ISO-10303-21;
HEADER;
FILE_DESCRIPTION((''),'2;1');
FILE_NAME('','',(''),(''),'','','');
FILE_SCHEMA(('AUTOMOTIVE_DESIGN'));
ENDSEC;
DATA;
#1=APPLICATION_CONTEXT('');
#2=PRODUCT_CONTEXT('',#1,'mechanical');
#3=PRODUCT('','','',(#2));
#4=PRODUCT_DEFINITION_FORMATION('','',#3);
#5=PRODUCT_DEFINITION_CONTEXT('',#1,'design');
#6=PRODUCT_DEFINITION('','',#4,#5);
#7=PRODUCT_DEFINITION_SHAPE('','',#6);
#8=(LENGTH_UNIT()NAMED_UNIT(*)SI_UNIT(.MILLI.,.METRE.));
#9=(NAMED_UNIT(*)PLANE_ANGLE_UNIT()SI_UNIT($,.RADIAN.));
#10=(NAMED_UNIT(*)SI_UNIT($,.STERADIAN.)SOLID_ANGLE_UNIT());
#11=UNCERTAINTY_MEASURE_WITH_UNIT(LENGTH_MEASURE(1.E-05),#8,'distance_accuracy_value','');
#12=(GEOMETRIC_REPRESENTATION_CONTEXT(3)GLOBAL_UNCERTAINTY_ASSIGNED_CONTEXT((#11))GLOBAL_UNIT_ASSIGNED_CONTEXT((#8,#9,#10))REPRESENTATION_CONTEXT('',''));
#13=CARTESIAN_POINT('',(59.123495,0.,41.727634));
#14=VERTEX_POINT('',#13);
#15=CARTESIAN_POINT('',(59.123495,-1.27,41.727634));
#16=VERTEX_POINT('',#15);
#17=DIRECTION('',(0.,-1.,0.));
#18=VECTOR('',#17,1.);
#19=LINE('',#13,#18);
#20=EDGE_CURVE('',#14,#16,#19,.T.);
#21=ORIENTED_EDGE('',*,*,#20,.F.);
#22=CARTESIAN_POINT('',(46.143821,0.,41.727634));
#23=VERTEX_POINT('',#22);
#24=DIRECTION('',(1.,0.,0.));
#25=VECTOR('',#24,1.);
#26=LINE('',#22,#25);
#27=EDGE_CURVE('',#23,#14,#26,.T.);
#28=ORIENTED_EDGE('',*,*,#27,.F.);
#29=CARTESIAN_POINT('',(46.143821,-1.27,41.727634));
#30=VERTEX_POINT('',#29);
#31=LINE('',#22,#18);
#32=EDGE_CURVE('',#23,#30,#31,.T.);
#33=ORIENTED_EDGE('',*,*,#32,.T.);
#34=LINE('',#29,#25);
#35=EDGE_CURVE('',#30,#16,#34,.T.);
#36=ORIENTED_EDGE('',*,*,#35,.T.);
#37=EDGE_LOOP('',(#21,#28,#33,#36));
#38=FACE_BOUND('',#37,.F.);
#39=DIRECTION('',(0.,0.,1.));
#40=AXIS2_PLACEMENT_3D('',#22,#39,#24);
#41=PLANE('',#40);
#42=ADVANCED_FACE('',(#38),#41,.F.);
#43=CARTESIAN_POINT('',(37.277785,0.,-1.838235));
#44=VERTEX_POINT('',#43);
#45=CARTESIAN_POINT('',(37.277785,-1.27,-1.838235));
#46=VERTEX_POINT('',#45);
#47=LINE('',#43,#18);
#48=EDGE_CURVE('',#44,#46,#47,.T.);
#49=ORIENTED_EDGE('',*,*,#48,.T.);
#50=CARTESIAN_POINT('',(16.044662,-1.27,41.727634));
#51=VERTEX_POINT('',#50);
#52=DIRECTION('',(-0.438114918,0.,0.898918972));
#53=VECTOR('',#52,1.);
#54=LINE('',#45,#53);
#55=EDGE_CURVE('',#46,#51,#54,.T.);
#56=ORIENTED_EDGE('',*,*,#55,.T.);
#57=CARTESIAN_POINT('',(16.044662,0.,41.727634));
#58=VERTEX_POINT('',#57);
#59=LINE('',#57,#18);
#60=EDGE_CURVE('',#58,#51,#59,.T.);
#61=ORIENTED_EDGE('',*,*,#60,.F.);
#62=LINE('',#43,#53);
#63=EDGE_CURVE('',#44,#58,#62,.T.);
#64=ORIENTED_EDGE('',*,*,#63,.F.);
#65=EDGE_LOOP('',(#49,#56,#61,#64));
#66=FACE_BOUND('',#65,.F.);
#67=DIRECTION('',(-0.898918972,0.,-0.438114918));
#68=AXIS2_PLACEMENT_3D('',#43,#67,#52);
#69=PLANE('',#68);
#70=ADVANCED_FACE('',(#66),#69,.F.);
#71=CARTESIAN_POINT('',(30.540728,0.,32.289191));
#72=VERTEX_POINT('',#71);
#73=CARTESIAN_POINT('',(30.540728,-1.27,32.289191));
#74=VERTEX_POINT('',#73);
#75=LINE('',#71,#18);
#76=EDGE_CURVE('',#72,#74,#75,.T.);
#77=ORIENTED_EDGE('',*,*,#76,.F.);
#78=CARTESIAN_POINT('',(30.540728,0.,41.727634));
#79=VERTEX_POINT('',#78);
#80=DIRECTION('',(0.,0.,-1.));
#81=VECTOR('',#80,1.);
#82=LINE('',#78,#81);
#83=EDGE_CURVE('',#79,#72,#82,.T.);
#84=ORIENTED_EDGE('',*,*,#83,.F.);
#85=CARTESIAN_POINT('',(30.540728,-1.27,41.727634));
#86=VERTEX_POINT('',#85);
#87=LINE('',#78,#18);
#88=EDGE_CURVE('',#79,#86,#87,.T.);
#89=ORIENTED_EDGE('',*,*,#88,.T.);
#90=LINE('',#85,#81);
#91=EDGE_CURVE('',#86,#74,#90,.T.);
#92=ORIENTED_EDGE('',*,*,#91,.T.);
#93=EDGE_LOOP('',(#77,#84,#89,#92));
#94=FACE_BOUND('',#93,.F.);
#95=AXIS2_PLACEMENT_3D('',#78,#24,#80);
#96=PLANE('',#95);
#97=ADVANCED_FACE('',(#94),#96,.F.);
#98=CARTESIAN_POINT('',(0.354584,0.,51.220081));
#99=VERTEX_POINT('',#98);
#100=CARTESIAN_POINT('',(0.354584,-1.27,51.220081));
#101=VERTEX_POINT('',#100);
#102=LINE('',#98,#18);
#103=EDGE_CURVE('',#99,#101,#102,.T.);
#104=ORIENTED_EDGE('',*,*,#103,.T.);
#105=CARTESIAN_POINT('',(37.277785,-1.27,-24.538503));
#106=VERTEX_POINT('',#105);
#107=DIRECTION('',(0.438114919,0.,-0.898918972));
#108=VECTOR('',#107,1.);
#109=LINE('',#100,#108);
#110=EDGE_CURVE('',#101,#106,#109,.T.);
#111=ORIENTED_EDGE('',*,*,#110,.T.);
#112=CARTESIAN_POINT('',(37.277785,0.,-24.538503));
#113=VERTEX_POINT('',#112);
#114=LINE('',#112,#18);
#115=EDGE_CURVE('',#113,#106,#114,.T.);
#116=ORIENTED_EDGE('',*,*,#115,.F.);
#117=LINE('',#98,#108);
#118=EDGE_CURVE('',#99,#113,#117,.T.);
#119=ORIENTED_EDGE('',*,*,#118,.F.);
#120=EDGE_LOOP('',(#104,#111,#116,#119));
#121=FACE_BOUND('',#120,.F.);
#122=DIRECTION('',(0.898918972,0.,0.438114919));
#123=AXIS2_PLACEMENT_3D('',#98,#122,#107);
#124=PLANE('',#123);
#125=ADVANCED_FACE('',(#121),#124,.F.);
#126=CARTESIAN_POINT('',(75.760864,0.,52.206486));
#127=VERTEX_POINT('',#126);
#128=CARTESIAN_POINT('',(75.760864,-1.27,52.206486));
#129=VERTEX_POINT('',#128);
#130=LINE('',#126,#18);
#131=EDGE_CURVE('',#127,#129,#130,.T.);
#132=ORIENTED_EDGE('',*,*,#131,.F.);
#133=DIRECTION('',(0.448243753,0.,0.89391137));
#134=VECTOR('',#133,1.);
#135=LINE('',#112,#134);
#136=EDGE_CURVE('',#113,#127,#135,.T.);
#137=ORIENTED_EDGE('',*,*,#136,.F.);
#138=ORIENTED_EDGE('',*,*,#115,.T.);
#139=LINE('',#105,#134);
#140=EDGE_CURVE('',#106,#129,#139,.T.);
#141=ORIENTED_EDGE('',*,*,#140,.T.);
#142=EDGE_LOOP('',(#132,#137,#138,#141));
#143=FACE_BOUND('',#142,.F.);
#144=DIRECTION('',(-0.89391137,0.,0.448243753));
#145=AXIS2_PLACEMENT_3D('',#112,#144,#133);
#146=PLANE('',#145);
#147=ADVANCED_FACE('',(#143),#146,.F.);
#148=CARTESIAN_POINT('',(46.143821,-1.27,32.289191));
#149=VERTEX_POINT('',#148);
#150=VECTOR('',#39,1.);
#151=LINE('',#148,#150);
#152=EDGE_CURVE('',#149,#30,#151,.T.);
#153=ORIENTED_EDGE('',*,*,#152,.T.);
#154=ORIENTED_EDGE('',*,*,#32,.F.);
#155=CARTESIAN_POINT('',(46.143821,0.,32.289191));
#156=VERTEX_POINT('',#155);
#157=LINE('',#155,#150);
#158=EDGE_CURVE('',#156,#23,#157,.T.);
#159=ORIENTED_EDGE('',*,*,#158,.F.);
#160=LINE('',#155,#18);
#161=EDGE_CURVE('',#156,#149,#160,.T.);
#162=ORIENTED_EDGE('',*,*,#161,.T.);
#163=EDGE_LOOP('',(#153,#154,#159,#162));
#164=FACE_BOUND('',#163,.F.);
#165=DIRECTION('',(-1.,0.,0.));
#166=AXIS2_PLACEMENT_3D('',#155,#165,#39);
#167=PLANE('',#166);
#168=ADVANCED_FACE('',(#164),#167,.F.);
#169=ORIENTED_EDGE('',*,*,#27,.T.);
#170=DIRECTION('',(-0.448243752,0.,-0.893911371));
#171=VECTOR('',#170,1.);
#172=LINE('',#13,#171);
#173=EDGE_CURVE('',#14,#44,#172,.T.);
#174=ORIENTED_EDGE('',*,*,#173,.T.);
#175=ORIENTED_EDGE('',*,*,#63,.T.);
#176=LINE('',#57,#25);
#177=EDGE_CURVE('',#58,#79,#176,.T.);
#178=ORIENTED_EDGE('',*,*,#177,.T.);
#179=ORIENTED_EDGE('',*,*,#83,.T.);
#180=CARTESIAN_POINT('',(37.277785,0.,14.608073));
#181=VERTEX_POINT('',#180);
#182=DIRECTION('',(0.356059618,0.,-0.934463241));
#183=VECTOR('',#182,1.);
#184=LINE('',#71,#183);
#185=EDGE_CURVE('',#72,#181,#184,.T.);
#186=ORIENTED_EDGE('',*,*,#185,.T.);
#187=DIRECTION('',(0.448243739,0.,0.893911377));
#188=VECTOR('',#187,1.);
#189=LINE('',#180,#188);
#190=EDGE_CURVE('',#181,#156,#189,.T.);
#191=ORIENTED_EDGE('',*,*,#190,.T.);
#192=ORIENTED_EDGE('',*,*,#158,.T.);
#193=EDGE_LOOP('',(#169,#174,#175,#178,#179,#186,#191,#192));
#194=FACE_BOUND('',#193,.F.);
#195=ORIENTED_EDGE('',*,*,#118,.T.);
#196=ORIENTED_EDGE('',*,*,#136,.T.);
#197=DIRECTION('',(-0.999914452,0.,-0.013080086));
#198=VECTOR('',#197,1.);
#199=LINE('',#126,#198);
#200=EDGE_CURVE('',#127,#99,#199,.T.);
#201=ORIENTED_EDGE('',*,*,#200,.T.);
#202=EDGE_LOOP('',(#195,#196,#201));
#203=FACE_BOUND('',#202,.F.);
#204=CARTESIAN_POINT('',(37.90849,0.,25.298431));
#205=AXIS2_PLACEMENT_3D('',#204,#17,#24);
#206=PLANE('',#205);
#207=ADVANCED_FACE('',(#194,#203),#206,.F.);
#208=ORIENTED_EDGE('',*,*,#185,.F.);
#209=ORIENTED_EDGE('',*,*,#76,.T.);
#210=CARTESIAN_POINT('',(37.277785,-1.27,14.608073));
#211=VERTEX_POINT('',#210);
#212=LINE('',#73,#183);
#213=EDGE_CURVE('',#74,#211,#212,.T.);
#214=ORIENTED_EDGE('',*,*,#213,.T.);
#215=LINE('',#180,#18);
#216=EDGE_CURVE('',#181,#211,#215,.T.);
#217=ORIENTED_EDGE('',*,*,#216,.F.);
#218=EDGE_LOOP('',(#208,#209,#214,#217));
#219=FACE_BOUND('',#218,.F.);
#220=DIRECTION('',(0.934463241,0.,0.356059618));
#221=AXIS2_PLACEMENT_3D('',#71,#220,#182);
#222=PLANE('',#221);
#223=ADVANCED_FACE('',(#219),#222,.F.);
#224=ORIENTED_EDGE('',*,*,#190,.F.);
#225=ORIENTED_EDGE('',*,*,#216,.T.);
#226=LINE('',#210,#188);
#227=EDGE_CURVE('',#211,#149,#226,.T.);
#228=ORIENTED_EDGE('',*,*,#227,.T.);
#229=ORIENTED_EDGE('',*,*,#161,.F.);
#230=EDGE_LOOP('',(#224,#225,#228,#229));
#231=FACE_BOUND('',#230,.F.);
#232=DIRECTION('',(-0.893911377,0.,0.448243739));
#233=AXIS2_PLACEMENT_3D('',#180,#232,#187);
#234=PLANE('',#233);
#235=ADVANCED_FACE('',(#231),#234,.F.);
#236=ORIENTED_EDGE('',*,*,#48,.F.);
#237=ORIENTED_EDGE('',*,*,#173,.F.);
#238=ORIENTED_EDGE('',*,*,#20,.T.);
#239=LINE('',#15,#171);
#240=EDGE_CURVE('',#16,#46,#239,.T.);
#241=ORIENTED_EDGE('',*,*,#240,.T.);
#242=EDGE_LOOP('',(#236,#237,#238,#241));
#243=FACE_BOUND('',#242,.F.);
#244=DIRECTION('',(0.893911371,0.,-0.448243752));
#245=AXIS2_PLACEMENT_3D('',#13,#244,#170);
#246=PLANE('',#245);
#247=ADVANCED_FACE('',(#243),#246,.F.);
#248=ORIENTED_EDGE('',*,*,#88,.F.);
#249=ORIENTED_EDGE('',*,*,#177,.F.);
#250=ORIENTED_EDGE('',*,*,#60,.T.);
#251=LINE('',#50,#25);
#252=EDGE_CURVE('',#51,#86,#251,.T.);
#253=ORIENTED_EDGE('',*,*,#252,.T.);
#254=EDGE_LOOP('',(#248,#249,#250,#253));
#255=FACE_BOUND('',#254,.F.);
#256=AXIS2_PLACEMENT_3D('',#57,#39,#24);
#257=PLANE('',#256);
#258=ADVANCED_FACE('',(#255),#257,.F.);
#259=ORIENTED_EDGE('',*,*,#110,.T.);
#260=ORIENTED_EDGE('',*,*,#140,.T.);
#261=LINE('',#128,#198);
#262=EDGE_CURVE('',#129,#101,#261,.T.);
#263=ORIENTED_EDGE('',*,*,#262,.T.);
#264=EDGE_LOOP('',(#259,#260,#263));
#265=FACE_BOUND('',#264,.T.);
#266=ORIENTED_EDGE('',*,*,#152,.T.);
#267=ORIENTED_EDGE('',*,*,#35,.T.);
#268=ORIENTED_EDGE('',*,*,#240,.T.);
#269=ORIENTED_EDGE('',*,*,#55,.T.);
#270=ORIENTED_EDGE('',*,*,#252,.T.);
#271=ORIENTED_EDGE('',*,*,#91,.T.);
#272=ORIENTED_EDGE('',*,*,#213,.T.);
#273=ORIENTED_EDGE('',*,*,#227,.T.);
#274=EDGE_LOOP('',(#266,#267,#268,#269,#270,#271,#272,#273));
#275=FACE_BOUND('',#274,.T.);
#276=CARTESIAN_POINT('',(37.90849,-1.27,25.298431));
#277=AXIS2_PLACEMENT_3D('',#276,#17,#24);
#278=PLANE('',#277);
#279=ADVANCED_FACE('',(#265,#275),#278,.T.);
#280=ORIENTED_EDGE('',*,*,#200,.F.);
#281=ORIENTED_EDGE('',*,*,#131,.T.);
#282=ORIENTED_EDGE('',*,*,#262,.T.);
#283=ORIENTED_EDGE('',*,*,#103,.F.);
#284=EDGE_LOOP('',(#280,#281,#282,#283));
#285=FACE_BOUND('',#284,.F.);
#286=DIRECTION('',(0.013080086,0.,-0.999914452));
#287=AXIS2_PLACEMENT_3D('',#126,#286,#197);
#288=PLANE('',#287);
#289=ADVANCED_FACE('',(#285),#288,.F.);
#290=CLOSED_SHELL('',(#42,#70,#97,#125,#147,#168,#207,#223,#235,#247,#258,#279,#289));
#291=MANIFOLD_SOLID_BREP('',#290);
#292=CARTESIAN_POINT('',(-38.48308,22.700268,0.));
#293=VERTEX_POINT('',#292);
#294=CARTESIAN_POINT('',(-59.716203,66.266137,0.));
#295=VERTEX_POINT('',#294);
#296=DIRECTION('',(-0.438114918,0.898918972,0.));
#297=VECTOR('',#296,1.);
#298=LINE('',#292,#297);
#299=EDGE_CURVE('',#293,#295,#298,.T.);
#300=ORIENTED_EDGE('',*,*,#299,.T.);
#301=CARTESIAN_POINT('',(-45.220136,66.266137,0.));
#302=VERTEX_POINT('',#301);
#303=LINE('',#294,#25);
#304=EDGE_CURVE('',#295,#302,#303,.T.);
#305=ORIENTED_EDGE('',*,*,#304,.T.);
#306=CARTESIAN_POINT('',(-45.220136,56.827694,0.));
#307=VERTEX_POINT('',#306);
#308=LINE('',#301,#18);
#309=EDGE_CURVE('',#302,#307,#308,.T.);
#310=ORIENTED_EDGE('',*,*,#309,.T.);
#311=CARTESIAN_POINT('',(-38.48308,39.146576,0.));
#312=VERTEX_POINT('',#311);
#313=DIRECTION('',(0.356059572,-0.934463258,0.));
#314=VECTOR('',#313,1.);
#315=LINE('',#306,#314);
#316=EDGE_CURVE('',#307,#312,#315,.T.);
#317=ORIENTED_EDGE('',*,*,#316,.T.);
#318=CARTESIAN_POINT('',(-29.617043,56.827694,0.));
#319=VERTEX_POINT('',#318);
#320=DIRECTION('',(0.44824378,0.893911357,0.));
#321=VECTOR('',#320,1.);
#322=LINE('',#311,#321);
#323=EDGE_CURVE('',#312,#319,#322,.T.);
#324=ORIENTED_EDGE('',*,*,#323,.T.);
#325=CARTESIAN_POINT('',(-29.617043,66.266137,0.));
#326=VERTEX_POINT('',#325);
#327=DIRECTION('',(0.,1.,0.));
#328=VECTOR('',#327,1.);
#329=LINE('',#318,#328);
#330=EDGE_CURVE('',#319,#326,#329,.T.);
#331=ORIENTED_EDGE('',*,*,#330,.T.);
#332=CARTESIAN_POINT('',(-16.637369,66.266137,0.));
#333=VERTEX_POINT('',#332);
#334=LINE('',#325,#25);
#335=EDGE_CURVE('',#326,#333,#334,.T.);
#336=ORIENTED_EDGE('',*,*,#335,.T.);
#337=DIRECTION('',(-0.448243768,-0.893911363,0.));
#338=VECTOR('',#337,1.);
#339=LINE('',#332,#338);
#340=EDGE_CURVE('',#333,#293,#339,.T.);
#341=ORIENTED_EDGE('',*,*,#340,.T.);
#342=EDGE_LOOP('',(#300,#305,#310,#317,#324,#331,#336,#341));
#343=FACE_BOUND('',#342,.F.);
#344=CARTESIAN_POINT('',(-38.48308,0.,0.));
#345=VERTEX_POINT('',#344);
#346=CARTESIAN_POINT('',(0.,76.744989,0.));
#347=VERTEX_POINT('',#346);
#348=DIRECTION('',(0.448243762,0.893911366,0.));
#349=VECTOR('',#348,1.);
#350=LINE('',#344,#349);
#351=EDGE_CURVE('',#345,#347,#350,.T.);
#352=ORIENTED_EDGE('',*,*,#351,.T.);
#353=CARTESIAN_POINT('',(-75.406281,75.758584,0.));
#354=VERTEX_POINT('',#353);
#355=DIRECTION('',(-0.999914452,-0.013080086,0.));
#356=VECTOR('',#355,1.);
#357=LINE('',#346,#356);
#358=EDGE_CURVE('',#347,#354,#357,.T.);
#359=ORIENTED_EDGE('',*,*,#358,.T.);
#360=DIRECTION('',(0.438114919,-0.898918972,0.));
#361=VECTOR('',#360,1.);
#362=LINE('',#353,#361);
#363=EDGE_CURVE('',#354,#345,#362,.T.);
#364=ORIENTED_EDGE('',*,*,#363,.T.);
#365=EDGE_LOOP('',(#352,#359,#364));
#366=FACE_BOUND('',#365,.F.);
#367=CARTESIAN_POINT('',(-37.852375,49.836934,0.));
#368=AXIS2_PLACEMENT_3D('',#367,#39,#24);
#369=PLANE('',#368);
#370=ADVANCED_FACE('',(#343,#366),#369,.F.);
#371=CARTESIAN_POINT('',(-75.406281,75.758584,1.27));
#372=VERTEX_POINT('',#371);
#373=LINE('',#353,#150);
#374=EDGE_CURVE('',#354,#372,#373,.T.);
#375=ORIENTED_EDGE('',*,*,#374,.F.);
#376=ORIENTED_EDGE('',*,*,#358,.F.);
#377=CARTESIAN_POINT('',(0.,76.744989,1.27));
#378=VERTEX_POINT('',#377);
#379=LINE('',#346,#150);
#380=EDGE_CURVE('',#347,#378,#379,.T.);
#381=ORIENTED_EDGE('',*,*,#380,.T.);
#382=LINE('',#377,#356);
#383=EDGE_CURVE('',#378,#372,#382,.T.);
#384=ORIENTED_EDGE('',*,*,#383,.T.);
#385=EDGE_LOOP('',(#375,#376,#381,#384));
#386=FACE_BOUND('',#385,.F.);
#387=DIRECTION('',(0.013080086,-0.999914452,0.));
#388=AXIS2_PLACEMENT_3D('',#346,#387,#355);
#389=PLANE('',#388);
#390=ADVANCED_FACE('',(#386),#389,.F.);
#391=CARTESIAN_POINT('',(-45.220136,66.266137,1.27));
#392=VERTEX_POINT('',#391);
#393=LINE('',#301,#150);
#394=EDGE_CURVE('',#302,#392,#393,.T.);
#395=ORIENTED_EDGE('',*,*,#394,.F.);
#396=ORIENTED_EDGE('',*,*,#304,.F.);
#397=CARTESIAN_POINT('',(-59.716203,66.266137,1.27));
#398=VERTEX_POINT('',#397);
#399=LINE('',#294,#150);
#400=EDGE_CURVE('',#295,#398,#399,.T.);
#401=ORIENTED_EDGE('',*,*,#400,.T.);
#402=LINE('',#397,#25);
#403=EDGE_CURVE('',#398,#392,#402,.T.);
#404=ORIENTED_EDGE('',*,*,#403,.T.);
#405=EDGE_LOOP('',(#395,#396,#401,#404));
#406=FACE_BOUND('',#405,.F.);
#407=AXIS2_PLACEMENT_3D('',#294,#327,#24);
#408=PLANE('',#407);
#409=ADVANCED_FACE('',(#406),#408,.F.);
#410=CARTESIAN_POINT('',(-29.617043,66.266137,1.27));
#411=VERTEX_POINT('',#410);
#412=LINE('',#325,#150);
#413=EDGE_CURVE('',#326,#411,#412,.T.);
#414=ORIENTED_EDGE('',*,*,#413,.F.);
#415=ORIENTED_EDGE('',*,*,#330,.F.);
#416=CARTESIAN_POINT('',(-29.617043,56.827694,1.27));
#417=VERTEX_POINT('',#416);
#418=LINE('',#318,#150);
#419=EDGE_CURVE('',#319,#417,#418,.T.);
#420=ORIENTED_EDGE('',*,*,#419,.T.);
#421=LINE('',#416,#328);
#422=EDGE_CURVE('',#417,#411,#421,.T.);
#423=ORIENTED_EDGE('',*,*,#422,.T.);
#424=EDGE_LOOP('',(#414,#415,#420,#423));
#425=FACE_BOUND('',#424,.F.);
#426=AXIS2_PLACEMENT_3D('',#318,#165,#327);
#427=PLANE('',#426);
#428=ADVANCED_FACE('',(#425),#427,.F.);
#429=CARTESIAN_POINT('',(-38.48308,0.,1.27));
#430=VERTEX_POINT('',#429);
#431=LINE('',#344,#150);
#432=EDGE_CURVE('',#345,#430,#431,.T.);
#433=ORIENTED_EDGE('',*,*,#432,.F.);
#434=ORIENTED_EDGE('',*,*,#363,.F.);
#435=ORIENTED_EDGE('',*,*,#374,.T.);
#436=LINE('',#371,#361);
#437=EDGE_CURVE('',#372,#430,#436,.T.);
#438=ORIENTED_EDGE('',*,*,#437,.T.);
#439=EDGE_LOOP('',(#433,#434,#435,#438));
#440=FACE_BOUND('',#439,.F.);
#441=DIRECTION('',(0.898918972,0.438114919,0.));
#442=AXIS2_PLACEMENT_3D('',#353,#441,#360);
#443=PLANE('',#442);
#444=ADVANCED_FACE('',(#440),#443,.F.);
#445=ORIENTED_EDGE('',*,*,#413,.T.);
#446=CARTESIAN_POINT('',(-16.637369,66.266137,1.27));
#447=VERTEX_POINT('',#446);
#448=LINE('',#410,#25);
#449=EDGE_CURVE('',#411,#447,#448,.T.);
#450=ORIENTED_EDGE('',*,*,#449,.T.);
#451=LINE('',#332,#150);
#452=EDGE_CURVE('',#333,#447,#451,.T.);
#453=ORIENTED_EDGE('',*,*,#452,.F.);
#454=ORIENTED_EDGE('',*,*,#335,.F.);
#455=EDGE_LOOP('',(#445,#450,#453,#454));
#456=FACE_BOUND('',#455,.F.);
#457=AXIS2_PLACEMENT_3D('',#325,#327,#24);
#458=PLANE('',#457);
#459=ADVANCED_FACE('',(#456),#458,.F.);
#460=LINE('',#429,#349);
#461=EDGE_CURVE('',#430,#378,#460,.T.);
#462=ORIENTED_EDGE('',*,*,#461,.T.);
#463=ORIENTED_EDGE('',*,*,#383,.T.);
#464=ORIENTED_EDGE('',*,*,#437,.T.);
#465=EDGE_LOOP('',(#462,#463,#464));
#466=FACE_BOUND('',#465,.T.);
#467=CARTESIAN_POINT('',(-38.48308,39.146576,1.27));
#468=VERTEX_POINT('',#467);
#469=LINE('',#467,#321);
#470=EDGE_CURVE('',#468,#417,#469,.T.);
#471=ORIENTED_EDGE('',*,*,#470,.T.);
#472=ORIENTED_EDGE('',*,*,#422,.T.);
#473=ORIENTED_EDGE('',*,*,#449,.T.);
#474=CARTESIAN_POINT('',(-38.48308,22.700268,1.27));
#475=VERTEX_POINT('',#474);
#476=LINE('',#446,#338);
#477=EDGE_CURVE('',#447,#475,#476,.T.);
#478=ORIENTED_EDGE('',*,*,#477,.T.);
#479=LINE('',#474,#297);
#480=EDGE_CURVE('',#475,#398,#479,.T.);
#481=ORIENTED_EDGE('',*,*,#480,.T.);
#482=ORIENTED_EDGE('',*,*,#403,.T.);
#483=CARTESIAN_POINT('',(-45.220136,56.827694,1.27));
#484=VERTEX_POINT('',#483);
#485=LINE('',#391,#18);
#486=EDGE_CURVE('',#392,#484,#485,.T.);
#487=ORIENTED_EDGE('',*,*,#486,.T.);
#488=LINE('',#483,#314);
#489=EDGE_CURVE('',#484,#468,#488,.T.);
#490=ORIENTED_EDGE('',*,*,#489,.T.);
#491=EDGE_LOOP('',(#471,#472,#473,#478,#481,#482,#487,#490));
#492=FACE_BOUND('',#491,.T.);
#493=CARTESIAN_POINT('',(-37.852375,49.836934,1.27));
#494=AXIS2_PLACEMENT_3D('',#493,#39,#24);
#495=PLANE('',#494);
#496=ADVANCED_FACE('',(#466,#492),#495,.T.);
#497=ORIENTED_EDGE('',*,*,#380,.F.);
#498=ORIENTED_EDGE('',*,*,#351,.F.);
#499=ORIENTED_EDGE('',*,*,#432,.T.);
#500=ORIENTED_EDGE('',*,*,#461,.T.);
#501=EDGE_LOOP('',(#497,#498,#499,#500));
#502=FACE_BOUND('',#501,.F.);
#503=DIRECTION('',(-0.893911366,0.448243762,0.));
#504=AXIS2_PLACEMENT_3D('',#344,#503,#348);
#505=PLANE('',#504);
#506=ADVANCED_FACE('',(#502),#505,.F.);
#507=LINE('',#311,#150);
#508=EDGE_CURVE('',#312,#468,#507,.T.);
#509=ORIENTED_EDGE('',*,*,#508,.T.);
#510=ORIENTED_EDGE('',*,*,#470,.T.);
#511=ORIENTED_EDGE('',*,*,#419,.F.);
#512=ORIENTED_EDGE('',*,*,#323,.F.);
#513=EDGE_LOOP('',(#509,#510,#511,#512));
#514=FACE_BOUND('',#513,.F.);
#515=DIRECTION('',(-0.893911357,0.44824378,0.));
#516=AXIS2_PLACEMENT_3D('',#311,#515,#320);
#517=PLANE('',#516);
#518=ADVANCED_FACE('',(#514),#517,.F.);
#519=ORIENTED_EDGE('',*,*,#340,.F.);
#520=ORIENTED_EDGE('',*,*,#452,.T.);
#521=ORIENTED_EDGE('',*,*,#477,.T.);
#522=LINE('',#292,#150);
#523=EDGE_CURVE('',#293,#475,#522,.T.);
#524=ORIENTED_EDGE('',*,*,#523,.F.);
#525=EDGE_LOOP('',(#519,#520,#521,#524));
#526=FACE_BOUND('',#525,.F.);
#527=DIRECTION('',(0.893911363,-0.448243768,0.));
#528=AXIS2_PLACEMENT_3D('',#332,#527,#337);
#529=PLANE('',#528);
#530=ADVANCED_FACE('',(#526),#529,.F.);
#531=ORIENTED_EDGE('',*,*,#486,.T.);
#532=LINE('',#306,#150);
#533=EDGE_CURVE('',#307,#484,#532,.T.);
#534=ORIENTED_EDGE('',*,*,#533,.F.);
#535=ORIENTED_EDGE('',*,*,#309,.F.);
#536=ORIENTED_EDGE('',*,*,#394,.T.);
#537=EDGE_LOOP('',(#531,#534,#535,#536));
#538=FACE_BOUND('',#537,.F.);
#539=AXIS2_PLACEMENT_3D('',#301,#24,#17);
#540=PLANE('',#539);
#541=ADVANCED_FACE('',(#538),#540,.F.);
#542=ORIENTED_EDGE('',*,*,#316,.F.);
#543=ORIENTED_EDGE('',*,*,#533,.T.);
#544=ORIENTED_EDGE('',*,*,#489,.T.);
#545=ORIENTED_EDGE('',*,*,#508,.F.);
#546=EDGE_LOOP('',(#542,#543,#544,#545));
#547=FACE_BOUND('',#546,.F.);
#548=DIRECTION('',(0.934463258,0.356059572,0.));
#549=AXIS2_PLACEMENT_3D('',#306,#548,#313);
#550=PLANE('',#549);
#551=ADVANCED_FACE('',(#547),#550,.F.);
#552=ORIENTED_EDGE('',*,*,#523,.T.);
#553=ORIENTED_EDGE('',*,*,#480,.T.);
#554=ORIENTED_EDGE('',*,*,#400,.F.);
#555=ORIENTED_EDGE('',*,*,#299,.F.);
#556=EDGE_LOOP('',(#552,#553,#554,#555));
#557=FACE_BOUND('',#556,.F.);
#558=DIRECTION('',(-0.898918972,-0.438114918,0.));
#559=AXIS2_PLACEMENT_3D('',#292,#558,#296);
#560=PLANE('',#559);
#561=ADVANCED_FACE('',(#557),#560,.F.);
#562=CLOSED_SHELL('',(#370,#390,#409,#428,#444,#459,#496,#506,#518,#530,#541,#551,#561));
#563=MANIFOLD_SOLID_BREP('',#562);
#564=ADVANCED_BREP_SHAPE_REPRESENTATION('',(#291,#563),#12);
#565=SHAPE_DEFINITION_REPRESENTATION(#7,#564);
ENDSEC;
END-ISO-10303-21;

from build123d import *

# Parameters (mm, degrees)
F1_DEPTH = 1.27
F3_DEPTH = 1.27


with BuildPart() as f1:
    # F0 (on Top) → F1 (new body)
    with BuildSketch(Plane.XY):
        Polygon((0, 76.744989), (-75.406281, 75.758584), (-38.48308, 0), align=None)
        Polygon((-38.48308, 22.700268), (-59.716203, 66.266137), (-45.220136, 66.266137), (-45.220136, 56.827694), (-38.48308, 39.146576), (-29.617043, 56.827694), (-29.617043, 66.266137), (-16.637369, 66.266137), align=None, mode=Mode.SUBTRACT)
    extrude(amount=F1_DEPTH)


with BuildPart() as f3:
    # F2 (on Front) → F3 (new body)
    with BuildSketch(Plane.XZ):
        Polygon((75.760864, 52.206486), (0.354584, 51.220081), (37.277785, -24.538503), align=None)
        Polygon((37.277785, -1.838235), (16.044662, 41.727634), (30.540728, 41.727634), (30.540728, 32.289191), (37.277785, 14.608073), (46.143821, 32.289191), (46.143821, 41.727634), (59.123495, 41.727634), align=None, mode=Mode.SUBTRACT)
    extrude(amount=F3_DEPTH)


solid = Compound([f1.part, f3.part])
